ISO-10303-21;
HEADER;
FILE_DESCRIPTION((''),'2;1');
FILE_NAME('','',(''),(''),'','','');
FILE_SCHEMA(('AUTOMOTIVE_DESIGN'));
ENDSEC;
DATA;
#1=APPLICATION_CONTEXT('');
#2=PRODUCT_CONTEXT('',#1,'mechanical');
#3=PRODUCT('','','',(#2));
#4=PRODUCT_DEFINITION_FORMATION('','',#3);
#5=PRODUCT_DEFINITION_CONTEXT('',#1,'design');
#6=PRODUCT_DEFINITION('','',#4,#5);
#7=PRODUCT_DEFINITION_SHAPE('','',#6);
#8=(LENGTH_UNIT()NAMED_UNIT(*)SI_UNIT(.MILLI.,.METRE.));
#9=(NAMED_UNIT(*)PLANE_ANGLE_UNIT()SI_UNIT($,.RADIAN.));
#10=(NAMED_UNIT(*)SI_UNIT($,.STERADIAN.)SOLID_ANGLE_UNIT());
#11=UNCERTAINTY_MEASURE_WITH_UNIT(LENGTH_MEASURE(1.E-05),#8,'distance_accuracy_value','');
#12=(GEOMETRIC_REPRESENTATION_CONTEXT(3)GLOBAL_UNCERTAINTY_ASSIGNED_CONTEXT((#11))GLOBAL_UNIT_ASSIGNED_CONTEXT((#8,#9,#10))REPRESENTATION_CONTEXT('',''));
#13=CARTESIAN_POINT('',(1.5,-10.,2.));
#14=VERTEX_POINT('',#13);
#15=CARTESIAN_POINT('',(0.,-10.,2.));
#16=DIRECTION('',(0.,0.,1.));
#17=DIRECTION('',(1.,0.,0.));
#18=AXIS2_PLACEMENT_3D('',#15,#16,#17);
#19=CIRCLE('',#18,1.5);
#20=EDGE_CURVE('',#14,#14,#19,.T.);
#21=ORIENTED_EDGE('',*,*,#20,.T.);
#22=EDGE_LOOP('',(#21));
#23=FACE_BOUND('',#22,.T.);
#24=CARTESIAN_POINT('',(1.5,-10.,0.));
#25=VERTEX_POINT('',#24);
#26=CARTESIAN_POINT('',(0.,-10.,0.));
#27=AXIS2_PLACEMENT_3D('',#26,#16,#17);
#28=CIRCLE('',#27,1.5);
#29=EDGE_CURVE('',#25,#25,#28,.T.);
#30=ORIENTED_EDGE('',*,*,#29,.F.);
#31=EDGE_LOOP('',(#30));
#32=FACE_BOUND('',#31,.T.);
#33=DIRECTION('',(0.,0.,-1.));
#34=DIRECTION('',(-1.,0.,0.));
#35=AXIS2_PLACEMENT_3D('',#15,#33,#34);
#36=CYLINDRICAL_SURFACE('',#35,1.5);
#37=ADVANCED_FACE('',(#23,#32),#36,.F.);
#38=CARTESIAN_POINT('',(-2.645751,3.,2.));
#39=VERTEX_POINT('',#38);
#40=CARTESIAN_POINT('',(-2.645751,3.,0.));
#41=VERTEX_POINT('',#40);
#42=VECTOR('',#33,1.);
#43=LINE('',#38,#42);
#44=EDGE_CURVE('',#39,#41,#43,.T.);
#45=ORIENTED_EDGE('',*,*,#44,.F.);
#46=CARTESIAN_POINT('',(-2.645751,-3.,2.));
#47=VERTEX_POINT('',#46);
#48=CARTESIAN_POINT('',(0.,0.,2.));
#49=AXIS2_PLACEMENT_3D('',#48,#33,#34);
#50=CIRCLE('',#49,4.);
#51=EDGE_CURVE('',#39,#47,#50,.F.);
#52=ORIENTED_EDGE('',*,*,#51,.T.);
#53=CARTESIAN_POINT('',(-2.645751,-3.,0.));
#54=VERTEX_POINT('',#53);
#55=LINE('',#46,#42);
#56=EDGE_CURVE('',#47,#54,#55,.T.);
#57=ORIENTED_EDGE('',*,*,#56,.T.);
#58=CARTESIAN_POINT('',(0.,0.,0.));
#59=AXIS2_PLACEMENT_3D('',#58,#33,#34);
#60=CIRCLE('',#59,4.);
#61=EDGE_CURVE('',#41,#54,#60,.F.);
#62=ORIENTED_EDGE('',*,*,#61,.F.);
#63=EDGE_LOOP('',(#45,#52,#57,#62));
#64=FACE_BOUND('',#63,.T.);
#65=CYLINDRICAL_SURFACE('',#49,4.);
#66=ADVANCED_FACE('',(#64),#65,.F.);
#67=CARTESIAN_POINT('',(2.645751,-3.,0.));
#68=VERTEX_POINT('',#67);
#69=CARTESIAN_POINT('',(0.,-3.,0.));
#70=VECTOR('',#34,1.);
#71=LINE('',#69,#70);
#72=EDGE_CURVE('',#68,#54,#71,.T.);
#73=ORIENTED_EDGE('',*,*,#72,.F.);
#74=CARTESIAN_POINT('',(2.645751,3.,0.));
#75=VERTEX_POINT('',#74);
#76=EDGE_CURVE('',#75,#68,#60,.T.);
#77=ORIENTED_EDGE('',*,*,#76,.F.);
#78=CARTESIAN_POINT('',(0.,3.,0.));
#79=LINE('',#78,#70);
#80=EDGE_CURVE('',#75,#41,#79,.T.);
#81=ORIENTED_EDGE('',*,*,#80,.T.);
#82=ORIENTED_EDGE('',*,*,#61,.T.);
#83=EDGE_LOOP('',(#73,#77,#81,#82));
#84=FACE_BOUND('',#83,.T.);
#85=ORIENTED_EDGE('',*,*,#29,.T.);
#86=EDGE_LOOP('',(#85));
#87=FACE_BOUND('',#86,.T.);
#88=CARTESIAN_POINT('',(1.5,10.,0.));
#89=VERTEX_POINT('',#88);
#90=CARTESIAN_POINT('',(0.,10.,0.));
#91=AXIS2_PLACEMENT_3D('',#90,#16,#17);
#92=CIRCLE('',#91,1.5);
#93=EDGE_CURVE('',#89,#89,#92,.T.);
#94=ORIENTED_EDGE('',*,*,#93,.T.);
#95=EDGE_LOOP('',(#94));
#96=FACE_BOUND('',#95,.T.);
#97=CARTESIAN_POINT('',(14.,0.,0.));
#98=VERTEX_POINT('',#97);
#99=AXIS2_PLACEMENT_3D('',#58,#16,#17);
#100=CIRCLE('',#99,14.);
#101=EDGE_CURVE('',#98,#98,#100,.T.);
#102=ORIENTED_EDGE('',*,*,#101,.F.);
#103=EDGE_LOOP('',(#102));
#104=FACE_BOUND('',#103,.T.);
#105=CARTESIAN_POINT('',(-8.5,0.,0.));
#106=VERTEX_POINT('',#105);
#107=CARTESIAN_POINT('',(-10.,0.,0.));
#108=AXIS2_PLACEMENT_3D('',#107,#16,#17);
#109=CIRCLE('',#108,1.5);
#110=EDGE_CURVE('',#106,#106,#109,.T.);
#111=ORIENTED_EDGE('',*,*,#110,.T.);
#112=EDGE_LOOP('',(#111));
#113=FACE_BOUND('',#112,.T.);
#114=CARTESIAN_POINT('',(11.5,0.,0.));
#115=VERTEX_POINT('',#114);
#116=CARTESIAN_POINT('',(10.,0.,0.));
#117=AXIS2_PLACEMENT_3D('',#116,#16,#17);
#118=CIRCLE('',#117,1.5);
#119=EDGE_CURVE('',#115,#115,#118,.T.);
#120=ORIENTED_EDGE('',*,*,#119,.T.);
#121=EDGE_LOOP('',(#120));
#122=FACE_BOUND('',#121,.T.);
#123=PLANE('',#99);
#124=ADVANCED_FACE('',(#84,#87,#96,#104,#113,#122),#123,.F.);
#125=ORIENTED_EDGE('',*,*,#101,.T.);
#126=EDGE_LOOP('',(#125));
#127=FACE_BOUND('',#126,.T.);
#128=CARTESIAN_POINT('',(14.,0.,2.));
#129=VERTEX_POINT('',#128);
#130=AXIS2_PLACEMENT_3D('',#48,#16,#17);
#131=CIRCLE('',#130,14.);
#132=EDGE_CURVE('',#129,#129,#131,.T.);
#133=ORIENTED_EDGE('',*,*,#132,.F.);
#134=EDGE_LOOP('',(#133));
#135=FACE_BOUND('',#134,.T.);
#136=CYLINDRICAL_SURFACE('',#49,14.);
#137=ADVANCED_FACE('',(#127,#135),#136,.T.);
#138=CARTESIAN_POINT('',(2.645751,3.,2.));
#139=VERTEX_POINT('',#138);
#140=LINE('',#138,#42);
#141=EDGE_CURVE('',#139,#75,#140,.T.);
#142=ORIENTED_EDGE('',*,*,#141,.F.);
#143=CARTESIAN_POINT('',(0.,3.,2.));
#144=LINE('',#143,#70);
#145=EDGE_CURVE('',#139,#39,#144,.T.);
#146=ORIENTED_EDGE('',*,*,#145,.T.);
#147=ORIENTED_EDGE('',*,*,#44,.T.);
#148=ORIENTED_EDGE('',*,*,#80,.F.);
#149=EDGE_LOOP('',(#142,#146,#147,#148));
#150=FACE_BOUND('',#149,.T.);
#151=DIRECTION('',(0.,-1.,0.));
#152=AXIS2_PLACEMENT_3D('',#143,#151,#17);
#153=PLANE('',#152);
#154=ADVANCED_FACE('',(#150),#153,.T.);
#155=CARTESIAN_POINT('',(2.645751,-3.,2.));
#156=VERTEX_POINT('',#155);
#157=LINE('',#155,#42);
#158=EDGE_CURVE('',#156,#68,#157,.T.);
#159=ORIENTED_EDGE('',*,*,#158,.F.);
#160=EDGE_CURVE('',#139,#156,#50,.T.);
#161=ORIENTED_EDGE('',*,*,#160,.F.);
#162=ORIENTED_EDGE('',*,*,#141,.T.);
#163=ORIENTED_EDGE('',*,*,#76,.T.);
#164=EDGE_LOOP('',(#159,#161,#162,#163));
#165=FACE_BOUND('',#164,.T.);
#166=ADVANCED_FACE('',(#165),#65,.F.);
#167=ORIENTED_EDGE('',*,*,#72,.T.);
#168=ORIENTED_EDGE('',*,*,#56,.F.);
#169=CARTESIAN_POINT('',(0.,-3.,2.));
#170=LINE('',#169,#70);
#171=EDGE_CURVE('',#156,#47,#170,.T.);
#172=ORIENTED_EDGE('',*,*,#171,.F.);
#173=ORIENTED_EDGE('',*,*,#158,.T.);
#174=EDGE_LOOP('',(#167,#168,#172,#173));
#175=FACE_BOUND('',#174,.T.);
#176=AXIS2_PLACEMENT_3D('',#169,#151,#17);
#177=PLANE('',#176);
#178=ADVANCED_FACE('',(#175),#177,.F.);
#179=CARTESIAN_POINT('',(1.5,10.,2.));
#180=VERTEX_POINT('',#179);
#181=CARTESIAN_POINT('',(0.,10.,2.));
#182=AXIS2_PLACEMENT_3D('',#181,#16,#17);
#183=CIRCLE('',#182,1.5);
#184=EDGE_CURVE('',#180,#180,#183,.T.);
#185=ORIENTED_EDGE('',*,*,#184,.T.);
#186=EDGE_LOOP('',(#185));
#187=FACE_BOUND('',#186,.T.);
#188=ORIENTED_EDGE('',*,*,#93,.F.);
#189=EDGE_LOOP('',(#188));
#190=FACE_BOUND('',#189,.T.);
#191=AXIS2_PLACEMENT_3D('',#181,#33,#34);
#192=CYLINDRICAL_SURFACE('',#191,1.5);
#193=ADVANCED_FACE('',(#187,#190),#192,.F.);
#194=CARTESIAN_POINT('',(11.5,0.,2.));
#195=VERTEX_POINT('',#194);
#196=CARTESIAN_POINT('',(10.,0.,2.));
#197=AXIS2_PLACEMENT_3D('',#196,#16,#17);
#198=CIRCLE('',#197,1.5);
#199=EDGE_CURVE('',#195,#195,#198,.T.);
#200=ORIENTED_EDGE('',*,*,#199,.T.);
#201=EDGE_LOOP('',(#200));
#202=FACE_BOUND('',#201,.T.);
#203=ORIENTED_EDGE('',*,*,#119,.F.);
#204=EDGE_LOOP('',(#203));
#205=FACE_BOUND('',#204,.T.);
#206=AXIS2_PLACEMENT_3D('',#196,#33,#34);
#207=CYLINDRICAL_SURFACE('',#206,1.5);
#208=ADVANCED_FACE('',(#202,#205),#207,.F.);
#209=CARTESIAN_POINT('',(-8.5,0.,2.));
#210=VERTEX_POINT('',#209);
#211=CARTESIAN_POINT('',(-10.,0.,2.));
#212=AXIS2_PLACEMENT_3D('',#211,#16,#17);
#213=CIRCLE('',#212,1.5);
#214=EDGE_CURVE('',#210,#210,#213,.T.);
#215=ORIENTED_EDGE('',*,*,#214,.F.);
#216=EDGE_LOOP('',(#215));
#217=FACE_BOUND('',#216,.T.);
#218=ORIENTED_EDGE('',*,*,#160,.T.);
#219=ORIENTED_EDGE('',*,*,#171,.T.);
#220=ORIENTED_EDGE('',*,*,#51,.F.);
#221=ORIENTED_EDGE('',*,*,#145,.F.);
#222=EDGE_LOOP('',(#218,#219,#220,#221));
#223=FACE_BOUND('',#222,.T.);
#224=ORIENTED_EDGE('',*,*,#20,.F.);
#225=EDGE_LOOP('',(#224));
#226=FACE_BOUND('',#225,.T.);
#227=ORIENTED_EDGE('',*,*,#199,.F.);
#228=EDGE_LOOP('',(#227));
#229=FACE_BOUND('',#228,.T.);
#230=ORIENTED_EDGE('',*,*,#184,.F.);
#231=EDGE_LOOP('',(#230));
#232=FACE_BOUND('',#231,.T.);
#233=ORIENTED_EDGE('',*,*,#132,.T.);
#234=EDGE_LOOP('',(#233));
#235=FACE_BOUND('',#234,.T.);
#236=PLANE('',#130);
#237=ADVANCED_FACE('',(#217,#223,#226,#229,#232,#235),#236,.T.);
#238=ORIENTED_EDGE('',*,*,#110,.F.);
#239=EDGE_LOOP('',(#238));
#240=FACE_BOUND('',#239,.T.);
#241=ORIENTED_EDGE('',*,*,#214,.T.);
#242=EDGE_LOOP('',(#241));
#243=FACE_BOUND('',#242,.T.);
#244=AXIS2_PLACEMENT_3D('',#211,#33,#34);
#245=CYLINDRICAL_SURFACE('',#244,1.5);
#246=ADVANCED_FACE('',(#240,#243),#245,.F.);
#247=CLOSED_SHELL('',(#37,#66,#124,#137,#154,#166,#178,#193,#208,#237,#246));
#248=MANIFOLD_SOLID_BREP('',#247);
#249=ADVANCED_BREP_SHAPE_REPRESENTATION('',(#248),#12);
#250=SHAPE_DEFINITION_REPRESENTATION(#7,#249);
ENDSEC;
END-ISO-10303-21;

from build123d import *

# Parameters (mm, degrees)
SKETCH_1_R          = 14
SKETCH_1_R_2        = 1.5
EXTRUDE_1_DEPTH     = 2
CUT_EXTRUDE_1_DEPTH = 20.899748742


with BuildPart() as part:
    # 草图1 → 凸台-拉伸1 (new body)
    with BuildSketch(Plane.XY):
        Circle(SKETCH_1_R)
        with Locations((0, 10)):
            Circle(SKETCH_1_R_2, mode=Mode.SUBTRACT)
        with Locations((10, 0)):
            Circle(SKETCH_1_R_2, mode=Mode.SUBTRACT)
        with Locations((-10, 0)):
            Circle(SKETCH_1_R_2, mode=Mode.SUBTRACT)
        with Locations((0, -10)):
            Circle(SKETCH_1_R_2, mode=Mode.SUBTRACT)
    extrude(amount=EXTRUDE_1_DEPTH)

    # 草图2 → 切除-拉伸1 (cut, through all)
    with BuildSketch(Plane(origin=(0, 0, 0), x_dir=(-1, 0, 0), z_dir=(0, 0, -1))):
        with BuildLine():
            ThreePointArc((-2.645751311, 3), (-4, 0), (-2.645751311, -3))
            Line((-2.645751311, -3), (2.645751311, -3))
            ThreePointArc((2.645751311, -3), (4, 0), (2.645751311, 3))
            Line((2.645751311, 3), (-2.645751311, 3))
        make_face()
    extrude(amount=-CUT_EXTRUDE_1_DEPTH, mode=Mode.SUBTRACT)


solid = part.part
